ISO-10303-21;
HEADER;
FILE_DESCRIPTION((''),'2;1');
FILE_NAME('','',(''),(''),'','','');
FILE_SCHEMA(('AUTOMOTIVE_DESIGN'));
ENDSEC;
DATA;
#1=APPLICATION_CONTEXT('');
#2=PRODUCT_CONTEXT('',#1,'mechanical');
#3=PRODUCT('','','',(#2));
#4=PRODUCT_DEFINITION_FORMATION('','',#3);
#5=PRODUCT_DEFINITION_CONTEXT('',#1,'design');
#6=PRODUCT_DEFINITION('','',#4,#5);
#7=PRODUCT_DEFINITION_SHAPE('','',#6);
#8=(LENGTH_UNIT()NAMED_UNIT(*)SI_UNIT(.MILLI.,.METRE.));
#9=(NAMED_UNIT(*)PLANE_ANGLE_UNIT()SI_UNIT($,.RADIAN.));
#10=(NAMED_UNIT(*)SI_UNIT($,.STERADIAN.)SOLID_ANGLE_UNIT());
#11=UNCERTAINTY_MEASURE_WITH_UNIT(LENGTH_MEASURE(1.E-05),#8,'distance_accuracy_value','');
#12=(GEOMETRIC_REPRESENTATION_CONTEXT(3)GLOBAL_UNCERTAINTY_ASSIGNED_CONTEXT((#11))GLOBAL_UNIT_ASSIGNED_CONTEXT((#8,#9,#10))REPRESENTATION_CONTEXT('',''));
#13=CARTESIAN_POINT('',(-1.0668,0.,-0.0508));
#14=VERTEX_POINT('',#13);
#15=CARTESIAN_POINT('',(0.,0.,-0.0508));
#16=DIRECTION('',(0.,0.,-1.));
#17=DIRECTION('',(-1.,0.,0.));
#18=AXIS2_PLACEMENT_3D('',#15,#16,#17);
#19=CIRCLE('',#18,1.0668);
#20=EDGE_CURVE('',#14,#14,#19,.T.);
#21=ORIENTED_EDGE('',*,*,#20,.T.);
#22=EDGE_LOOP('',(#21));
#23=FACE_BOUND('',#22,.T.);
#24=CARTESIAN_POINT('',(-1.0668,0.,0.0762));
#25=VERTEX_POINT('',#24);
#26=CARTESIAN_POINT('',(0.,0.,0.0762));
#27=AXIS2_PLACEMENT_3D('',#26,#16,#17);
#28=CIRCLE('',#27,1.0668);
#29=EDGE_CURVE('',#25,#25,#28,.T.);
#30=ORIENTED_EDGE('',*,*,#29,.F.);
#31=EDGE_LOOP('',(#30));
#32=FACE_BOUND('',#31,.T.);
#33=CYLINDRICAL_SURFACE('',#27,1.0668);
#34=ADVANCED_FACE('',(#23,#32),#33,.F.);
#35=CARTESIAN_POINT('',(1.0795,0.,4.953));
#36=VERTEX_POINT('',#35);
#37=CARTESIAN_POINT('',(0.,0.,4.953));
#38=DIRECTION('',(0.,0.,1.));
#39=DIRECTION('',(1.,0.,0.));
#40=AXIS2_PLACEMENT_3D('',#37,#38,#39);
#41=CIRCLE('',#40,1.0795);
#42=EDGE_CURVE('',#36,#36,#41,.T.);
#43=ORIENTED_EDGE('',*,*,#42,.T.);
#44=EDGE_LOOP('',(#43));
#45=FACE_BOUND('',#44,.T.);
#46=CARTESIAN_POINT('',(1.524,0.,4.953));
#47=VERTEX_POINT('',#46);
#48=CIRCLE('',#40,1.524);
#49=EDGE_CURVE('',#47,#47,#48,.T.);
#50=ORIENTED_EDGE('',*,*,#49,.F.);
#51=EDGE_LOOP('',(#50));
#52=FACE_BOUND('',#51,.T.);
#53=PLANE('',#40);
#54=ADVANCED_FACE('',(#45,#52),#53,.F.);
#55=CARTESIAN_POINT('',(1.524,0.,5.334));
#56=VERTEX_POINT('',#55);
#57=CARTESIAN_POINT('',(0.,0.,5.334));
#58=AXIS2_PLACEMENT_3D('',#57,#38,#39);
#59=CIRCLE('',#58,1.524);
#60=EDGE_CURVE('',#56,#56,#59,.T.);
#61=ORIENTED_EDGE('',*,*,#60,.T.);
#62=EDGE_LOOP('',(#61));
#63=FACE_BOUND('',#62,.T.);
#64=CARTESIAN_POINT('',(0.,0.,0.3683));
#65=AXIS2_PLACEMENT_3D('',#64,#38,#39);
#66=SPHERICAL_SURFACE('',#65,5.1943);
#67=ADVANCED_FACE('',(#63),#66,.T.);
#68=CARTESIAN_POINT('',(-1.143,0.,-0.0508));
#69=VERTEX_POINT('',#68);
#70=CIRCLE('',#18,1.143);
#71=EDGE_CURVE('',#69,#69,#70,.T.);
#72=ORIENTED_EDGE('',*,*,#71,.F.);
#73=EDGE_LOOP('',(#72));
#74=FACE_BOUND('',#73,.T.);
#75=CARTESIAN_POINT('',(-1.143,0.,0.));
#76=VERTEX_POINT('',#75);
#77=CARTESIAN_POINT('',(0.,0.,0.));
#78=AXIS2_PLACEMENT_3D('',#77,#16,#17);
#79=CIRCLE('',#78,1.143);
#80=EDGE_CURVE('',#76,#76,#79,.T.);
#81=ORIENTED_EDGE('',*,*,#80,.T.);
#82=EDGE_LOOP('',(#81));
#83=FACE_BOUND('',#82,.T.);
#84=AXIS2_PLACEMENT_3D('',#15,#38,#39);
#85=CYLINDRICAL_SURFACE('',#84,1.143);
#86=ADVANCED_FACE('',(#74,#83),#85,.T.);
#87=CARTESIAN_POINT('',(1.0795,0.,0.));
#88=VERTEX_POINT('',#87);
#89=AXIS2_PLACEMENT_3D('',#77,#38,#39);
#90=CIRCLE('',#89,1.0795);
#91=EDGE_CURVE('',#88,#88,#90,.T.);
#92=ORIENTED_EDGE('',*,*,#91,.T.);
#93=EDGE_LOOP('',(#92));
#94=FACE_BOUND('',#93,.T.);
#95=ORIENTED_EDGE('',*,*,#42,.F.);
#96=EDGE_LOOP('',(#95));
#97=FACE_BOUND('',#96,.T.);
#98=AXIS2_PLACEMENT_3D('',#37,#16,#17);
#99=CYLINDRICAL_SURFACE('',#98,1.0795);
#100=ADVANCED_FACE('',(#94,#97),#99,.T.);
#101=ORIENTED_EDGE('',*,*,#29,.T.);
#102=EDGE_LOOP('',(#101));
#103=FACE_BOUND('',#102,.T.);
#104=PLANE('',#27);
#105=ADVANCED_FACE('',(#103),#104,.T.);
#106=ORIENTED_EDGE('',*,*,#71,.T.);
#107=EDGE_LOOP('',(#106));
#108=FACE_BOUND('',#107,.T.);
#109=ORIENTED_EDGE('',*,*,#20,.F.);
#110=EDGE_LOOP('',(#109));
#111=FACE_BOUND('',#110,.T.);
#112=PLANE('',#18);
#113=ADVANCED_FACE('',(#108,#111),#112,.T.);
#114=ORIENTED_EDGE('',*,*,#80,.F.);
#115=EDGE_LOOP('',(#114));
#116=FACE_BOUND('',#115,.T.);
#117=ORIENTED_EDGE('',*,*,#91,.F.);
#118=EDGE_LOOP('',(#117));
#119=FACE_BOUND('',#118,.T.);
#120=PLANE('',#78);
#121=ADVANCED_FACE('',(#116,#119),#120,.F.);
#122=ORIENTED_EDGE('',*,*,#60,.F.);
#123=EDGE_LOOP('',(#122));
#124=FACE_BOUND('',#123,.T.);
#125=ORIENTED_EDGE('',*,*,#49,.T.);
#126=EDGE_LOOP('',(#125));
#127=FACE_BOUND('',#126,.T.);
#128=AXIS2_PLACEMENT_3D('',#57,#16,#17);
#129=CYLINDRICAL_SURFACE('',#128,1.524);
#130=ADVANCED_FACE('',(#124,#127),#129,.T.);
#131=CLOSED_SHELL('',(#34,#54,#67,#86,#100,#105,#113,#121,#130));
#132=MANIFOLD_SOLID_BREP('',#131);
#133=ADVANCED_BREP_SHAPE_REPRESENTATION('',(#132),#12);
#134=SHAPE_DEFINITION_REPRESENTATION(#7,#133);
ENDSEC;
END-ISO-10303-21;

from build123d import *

# Parameters (mm, degrees)
SKETCH1_R           = 1.0795
BOSS_EXTRUDE1_DEPTH = 4.953
SKETCH2_R           = 1.524
BOSS_EXTRUDE2_DEPTH = 0.381
DOME1_FACE_RADIUS   = 1.524
DOME1_HEIGHT        = 0.2286
SKETCH3_R           = 1.143
BOSS_EXTRUDE3_DEPTH = 0.0508
SKETCH4_R           = 1.0668
CUT_EXTRUDE1_DEPTH  = 0.127


with BuildPart() as part:
    # Sketch1 → Boss-Extrude1 (new body)
    with BuildSketch(Plane.XY):
        Circle(SKETCH1_R)
    extrude(amount=BOSS_EXTRUDE1_DEPTH)

    # Sketch2 → Boss-Extrude2 (add)
    with BuildSketch(Plane.XY.offset(4.953)):
        Circle(SKETCH2_R)
    extrude(amount=BOSS_EXTRUDE2_DEPTH)

    # Dome1: a dome of height H over a round flat face of radius A is a cap of a sphere of radius (A * A + H * H) / (2 * H)
    dome1_r = (DOME1_FACE_RADIUS * DOME1_FACE_RADIUS + DOME1_HEIGHT * DOME1_HEIGHT) / (2 * DOME1_HEIGHT)
    dome1_base = Plane((0, 0, 5.334), z_dir=(0, 0, 1))
    with Locations(dome1_base.offset(DOME1_HEIGHT - dome1_r)):
        dome1_ball = Sphere(dome1_r, mode=Mode.PRIVATE)
    add(split(dome1_ball, bisect_by=dome1_base, keep=Keep.TOP, mode=Mode.PRIVATE))

    # Sketch3 → Boss-Extrude3 (add)
    with BuildSketch(Plane(origin=(0, 0, 0), x_dir=(-1, 0, 0), z_dir=(0, 0, -1))):
        Circle(SKETCH3_R)
    extrude(amount=BOSS_EXTRUDE3_DEPTH)

    # Sketch4 → Cut-Extrude1 (cut)
    with BuildSketch(Plane(origin=(0, 0, -0.0508), x_dir=(-1, 0, 0), z_dir=(0, 0, -1))):
        Circle(SKETCH4_R)
    extrude(amount=-CUT_EXTRUDE1_DEPTH, mode=Mode.SUBTRACT)


solid = part.part
